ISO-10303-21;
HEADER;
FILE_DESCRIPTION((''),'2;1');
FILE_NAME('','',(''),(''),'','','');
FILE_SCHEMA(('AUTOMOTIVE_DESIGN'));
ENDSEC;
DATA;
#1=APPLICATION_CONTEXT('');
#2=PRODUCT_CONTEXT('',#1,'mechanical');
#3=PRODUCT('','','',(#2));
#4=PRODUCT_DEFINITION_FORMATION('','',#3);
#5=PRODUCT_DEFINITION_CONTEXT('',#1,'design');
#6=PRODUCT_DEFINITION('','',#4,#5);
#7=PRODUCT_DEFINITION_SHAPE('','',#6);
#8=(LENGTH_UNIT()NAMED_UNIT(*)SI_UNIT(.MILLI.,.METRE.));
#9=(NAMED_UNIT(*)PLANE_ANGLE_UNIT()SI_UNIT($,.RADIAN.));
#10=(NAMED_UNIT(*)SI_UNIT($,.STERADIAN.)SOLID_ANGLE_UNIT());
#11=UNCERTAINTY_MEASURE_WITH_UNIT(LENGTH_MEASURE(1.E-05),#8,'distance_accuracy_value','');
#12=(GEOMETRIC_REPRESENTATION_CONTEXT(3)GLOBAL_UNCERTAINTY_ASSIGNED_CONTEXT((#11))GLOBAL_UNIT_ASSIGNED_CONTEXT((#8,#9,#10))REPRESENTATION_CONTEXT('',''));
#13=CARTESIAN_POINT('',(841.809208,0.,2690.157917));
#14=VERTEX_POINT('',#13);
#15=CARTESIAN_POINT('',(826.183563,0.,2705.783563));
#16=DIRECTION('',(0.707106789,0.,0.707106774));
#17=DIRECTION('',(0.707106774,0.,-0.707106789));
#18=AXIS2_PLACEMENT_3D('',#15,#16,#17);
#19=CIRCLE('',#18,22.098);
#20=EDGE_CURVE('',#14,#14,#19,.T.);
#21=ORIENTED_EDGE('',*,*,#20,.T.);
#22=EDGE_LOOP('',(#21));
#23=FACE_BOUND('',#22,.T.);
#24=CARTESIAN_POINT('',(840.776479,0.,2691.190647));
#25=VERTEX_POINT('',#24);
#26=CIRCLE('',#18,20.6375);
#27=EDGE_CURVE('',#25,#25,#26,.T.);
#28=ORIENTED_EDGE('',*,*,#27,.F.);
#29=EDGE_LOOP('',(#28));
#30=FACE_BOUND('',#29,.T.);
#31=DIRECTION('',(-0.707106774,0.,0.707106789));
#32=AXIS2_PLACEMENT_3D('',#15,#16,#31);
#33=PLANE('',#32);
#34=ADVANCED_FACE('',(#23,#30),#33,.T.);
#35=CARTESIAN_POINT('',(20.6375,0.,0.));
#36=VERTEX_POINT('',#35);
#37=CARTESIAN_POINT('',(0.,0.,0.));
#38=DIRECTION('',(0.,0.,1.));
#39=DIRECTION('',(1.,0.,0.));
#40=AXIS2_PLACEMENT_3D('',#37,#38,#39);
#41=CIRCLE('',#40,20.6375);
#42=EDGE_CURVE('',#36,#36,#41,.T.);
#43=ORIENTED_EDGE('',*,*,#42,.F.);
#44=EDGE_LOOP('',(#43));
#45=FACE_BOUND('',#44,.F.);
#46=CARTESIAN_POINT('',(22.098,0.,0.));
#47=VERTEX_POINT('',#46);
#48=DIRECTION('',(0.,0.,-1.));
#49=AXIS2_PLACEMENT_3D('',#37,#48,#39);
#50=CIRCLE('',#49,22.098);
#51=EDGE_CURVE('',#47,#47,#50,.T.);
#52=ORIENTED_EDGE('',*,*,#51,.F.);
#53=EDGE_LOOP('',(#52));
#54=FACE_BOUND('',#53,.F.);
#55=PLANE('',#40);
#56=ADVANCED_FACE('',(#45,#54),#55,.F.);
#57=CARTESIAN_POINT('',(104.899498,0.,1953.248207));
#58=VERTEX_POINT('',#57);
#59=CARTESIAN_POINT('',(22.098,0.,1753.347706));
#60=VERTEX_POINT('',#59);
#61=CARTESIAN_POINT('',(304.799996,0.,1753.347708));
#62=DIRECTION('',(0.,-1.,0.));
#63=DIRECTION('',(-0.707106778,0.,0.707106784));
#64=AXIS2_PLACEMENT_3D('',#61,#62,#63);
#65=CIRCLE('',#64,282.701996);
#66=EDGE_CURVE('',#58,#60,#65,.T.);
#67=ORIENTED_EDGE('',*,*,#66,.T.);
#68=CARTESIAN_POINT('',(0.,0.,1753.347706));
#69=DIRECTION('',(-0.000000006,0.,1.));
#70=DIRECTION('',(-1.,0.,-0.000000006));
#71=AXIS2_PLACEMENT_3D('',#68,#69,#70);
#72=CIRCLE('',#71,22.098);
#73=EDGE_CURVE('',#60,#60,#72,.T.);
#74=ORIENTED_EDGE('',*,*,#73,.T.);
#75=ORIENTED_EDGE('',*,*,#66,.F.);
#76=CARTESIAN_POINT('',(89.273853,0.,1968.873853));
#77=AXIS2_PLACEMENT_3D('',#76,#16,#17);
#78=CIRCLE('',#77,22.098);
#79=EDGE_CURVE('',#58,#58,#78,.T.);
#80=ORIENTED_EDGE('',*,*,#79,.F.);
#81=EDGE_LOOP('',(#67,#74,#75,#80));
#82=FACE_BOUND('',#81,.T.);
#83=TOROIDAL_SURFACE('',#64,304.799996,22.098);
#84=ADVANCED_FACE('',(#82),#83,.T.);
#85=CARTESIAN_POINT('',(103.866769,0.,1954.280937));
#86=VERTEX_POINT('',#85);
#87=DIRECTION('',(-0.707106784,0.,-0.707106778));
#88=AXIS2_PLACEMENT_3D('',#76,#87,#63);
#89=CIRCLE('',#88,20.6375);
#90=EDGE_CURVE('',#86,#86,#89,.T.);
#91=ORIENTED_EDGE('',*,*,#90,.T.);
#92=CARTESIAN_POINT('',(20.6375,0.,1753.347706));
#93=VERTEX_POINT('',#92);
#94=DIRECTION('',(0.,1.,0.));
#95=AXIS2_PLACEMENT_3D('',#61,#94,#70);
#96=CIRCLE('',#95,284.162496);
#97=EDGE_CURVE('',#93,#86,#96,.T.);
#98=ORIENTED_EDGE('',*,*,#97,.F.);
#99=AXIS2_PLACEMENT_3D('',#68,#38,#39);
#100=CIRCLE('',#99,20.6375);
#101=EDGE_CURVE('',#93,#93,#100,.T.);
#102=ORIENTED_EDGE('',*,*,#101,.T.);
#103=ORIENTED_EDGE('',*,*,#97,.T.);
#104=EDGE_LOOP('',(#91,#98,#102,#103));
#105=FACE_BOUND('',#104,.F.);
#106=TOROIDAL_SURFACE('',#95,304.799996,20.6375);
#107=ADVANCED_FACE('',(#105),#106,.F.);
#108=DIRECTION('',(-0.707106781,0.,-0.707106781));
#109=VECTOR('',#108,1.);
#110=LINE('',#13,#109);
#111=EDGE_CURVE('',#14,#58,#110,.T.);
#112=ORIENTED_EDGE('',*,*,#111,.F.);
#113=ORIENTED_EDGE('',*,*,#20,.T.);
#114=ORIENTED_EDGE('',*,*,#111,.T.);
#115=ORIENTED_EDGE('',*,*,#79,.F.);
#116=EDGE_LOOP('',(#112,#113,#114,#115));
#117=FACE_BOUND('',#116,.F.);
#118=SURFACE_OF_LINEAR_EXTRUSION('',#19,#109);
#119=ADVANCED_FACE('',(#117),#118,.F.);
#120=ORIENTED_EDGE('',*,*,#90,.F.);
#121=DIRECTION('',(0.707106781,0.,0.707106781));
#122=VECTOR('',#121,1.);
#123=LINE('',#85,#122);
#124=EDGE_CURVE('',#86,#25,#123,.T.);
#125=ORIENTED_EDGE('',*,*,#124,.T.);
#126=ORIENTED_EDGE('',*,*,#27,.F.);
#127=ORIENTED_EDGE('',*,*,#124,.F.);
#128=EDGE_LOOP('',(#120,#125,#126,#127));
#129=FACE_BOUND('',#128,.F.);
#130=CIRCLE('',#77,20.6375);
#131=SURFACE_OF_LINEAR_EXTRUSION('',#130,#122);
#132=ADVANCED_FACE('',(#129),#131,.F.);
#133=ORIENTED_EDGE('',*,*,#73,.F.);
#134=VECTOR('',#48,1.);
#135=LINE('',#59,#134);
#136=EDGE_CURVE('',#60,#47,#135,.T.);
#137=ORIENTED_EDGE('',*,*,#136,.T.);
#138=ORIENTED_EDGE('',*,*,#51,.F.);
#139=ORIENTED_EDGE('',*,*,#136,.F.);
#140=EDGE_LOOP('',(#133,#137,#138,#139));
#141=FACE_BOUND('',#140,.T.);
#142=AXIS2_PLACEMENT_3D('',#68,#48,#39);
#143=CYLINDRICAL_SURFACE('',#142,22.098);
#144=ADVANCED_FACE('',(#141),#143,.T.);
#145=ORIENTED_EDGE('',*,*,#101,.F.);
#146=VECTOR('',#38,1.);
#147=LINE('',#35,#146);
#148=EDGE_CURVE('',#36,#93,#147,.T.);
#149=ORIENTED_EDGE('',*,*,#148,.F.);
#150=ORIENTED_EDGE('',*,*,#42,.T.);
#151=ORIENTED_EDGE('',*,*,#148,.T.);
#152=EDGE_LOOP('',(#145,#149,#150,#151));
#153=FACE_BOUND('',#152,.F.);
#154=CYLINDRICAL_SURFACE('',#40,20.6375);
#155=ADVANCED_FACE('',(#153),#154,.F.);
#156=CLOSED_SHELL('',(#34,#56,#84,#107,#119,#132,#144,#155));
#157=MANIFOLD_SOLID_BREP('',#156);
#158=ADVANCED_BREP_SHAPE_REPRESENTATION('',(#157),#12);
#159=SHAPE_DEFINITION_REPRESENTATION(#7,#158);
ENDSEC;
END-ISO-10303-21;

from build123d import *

# Parameters (mm, degrees)
F0_R = 22.098
F3_R = 20.6375


with BuildPart() as f2:
    # F2: sweep along a path in F1
    with BuildLine(Plane.XZ) as f2_path:
        Line((826.183563, 2705.783563), (89.273853, 1968.873853))
        ThreePointArc((89.273853, 1968.873853), (23.201518, 1869.989616), (0, 1753.347706))
        Line((0, 1753.347706), (0, 0))
    # F0 (on Top) → F2 (sweep)
    with BuildSketch(Plane.XY):
        Circle(F0_R)
    sweep(path=f2_path.line)

    # F4: sweep along a path in F1
    with BuildLine(Plane.XZ) as f4_path:
        Line((0, 0), (0, 1753.347706))
        ThreePointArc((0, 1753.347706), (23.201518, 1869.989616), (89.273853, 1968.873853))
        Line((89.273853, 1968.873853), (826.183563, 2705.783563))
    # F3 (on face) → F4 (sweep, cut)
    with BuildSketch(Plane.XY):
        Circle(F3_R)
    sweep(path=f4_path.line, mode=Mode.SUBTRACT)


solid = f2.part
